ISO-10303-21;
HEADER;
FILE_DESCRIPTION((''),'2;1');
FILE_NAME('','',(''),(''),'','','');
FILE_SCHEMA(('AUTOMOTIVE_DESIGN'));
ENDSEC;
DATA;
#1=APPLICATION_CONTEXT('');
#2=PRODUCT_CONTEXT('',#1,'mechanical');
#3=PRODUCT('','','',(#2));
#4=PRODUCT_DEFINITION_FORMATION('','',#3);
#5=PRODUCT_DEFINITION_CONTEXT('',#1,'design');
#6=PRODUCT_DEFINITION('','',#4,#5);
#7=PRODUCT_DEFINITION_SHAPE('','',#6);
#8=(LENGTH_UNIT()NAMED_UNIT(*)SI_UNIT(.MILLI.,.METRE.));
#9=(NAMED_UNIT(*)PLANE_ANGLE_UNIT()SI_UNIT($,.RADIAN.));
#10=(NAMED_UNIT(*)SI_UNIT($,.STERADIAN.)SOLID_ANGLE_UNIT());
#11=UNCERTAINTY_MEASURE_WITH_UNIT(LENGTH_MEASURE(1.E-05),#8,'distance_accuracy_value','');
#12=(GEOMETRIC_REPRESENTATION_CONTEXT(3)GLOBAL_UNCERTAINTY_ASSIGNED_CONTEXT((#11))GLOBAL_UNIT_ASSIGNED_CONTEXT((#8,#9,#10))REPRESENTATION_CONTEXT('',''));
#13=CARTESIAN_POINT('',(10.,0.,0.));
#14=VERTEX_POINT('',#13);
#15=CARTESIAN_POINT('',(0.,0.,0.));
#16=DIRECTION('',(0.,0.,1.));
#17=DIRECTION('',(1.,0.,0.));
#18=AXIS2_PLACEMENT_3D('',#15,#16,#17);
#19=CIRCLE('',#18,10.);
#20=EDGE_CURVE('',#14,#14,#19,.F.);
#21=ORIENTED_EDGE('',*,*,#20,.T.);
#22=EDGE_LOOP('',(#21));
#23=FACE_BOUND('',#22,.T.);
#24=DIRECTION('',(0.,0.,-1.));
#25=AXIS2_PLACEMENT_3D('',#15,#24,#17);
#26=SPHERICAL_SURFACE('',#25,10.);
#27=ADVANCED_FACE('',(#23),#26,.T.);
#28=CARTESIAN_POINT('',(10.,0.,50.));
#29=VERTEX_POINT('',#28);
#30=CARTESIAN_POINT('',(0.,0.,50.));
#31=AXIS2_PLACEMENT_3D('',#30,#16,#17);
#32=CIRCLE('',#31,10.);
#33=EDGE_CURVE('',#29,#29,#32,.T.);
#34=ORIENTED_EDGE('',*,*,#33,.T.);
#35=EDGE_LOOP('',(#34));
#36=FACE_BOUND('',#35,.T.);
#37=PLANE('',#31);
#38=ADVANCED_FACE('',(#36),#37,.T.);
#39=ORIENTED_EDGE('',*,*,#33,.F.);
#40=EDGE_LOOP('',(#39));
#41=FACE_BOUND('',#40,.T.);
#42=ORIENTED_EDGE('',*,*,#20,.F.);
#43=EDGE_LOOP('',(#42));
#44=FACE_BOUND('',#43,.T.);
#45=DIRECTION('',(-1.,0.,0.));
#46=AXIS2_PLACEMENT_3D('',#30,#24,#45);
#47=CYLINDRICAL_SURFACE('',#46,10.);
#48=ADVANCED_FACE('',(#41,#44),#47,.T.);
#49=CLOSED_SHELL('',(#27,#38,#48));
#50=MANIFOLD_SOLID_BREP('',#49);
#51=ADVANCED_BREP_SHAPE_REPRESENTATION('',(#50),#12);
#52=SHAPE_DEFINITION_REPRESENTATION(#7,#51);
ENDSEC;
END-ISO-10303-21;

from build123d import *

# Parameters (mm, degrees)
SKETCH_1_R      = 10
EXTRUDE_1_DEPTH = 50


with BuildPart() as part:
    # 草图1 → 凸台-拉伸1 (new body)
    with BuildSketch(Plane.XY):
        Circle(SKETCH_1_R)
    extrude(amount=EXTRUDE_1_DEPTH)

    # 草图2 → 旋转1 (revolve)
    with BuildSketch(Plane(origin=(0, 0, 0), x_dir=(1, 0, 0), z_dir=(0, 1, 0))):
        with BuildLine():
            Line((0, 10), (0, -10))
            ThreePointArc((0, -10), (10, 0), (0, 10))
        make_face()
    revolve(axis=Axis((0, 0, -10), (0, 0, 1)))


solid = part.part
